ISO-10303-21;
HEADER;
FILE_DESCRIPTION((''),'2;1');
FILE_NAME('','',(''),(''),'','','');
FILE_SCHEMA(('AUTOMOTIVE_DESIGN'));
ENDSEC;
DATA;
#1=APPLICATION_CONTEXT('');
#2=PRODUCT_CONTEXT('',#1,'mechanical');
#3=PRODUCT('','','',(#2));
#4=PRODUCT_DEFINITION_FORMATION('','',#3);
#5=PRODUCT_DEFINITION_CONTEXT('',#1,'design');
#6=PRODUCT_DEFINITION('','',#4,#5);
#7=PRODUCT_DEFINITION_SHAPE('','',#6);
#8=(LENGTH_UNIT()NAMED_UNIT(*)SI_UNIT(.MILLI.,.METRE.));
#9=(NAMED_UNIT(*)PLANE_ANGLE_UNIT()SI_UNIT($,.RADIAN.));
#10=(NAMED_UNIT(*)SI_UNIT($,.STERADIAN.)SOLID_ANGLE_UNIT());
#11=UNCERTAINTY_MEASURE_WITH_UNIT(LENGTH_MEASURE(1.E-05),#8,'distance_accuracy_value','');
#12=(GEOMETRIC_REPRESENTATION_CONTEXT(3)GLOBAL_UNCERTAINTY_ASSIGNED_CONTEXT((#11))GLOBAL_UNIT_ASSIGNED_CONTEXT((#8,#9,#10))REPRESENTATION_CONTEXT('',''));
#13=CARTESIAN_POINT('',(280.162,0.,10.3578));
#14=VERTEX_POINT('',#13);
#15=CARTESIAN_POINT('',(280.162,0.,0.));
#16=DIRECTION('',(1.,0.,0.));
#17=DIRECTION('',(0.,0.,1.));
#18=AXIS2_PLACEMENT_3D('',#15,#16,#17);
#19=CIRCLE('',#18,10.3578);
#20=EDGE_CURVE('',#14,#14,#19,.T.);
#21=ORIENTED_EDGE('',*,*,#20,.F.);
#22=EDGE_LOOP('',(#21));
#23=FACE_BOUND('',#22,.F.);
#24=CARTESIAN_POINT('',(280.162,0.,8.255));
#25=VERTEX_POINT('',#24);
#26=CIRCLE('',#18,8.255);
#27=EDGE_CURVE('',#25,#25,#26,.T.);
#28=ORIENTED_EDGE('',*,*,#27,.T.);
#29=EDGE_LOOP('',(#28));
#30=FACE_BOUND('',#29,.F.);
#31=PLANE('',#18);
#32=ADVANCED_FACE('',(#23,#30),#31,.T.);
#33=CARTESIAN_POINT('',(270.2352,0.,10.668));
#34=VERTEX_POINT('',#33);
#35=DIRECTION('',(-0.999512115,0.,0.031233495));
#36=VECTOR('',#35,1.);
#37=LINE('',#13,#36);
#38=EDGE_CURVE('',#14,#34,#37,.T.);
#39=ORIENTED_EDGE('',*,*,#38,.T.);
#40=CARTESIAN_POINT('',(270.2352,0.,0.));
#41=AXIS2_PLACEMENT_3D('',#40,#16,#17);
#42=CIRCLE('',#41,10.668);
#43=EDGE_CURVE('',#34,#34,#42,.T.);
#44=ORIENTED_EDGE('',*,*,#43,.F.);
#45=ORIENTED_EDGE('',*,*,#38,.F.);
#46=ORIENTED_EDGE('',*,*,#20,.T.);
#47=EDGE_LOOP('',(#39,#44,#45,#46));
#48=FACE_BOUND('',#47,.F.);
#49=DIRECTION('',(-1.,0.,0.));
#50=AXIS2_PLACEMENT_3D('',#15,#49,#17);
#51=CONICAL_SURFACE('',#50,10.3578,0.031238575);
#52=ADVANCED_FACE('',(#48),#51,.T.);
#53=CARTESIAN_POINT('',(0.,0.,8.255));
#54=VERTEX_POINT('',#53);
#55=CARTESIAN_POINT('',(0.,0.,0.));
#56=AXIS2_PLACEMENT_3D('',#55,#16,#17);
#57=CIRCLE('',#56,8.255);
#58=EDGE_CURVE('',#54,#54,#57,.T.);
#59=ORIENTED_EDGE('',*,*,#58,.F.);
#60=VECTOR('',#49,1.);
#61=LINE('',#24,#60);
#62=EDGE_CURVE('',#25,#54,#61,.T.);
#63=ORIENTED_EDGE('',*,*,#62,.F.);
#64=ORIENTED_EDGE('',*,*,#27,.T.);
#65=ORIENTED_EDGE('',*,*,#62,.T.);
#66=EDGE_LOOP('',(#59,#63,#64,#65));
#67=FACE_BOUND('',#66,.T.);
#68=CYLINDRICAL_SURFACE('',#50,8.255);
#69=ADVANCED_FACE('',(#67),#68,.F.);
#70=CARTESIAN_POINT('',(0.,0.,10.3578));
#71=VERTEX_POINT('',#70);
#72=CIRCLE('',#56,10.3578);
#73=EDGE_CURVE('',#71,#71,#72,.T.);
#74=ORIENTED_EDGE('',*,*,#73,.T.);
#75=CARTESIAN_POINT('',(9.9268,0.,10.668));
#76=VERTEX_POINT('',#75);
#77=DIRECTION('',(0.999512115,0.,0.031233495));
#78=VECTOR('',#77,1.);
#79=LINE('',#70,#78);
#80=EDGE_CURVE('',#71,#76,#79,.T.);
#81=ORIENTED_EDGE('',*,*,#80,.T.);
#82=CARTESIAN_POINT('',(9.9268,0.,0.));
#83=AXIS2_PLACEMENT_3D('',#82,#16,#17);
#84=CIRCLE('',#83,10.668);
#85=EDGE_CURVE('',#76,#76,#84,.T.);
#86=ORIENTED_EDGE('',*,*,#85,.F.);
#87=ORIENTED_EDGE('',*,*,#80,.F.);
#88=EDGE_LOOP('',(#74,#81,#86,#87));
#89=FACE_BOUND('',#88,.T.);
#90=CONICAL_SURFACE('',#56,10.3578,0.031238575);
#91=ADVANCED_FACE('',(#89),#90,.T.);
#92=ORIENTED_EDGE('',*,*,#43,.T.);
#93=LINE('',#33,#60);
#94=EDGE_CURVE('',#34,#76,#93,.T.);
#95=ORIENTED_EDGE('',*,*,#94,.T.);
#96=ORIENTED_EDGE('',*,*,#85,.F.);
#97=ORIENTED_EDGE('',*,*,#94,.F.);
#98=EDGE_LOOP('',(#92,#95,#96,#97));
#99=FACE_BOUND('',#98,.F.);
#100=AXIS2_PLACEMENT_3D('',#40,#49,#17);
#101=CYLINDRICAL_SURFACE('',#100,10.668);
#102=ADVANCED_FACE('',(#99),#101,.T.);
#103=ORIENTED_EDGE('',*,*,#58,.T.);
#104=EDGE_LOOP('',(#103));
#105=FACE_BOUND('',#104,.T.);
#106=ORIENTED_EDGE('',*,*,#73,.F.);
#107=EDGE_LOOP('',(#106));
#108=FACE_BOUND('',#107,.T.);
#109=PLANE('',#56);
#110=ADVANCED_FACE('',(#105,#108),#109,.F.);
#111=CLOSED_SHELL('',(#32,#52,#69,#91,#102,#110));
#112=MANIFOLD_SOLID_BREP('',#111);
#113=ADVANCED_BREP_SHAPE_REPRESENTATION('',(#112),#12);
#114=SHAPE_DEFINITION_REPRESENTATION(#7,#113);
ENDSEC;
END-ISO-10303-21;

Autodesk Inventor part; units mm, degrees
ref_plane "YZ Plane" through (0, 0, 0) normal (1, 0, 0) x (0, 1, 0)
ref_plane "XZ Plane" through (0, 0, 0) normal (0, 1, 0) x (-1, 0, 0)
ref_plane "XY Plane" through (0, 0, 0) normal (0, 0, 1) x (1, 0, 0)
sketch "Sketch1" plane through (0, 0, 0) normal (0, 1, 0) x (-1, 0, 0)
  line L0 (0, 0) -> (-280.162, 0)
  line L1 (-280.162, 0) -> (-280.162, 8.255) construction
  line L2 (-280.162, 8.255) -> (-280.162, 10.3578)
  line L3 (-280.162, 10.3578) -> (-270.2352, 10.668)
  line L4 (-270.2352, 10.668) -> (-9.9268, 10.668)
  line L5 (-140.081, 0) -> (-140.081, 10.668) construction
  line L6 (-280.162, 8.255) -> (0, 8.255)
  line L7 (0, 0) -> (0, 8.255) construction
  line L8 (0, 8.255) -> (0, 10.3578)
  line L9 (0, 10.3578) -> (-9.9268, 10.668)
  line L10 (-266.606, 10.7814) -> (-266.606, 0) construction
  line L11 (-13.556, 10.7814) -> (-13.556, 0) construction
  line L12 (-270.2352, 10.668) -> (-266.606, 10.7814) construction
  line L13 (-270.2352, 10.668) -> (-270.2352, 0) construction
  line L14 (-9.9268, 10.668) -> (-13.556, 10.7814) construction
  line L15 (-9.9268, 10.668) -> (-9.9268, 0) construction
  dimension "d0" = 21.336
  dimension "d1" = 1.79
  dimension "d2" = 16.51
  dimension "d3" = 280.162
  dimension "d4" = 13.556
  dimension "d5" = 21.5628
revolve "Revolution1" add sketch "Sketch1" angle 360 about axis through (0, 0, 0) along (1, 0, 0)
thread "Thread1" size "1/2" designation "1/2 - 14 NPT" standard "NPT" full length
thread "Thread2" size "1/2" designation "1/2 - 14 NPT" standard "NPT" full length
equation "\"d0\" = OD"
equation "\"d2\" = ID"
equation "\"d3\" = L"
equation "\"d4\" = L2"
equation "\"d5\" = D2"
equation "\"OD\" = 21.336"
equation "\"t\" = 2.413"
equation "\"L\" = PL"
equation "\"L4\" = 19.8501"
equation "\"ID\" = 16.51"
equation "\"PL\" = 280.162"
equation "\"D2\" = 21.56282"
equation "\"L2\" = 13.55598"
equation "\"Size_Designation\" = 1.2345"
equation "\"PLmin\" = 2 * L2"
properties material "Steel, Wrought"
